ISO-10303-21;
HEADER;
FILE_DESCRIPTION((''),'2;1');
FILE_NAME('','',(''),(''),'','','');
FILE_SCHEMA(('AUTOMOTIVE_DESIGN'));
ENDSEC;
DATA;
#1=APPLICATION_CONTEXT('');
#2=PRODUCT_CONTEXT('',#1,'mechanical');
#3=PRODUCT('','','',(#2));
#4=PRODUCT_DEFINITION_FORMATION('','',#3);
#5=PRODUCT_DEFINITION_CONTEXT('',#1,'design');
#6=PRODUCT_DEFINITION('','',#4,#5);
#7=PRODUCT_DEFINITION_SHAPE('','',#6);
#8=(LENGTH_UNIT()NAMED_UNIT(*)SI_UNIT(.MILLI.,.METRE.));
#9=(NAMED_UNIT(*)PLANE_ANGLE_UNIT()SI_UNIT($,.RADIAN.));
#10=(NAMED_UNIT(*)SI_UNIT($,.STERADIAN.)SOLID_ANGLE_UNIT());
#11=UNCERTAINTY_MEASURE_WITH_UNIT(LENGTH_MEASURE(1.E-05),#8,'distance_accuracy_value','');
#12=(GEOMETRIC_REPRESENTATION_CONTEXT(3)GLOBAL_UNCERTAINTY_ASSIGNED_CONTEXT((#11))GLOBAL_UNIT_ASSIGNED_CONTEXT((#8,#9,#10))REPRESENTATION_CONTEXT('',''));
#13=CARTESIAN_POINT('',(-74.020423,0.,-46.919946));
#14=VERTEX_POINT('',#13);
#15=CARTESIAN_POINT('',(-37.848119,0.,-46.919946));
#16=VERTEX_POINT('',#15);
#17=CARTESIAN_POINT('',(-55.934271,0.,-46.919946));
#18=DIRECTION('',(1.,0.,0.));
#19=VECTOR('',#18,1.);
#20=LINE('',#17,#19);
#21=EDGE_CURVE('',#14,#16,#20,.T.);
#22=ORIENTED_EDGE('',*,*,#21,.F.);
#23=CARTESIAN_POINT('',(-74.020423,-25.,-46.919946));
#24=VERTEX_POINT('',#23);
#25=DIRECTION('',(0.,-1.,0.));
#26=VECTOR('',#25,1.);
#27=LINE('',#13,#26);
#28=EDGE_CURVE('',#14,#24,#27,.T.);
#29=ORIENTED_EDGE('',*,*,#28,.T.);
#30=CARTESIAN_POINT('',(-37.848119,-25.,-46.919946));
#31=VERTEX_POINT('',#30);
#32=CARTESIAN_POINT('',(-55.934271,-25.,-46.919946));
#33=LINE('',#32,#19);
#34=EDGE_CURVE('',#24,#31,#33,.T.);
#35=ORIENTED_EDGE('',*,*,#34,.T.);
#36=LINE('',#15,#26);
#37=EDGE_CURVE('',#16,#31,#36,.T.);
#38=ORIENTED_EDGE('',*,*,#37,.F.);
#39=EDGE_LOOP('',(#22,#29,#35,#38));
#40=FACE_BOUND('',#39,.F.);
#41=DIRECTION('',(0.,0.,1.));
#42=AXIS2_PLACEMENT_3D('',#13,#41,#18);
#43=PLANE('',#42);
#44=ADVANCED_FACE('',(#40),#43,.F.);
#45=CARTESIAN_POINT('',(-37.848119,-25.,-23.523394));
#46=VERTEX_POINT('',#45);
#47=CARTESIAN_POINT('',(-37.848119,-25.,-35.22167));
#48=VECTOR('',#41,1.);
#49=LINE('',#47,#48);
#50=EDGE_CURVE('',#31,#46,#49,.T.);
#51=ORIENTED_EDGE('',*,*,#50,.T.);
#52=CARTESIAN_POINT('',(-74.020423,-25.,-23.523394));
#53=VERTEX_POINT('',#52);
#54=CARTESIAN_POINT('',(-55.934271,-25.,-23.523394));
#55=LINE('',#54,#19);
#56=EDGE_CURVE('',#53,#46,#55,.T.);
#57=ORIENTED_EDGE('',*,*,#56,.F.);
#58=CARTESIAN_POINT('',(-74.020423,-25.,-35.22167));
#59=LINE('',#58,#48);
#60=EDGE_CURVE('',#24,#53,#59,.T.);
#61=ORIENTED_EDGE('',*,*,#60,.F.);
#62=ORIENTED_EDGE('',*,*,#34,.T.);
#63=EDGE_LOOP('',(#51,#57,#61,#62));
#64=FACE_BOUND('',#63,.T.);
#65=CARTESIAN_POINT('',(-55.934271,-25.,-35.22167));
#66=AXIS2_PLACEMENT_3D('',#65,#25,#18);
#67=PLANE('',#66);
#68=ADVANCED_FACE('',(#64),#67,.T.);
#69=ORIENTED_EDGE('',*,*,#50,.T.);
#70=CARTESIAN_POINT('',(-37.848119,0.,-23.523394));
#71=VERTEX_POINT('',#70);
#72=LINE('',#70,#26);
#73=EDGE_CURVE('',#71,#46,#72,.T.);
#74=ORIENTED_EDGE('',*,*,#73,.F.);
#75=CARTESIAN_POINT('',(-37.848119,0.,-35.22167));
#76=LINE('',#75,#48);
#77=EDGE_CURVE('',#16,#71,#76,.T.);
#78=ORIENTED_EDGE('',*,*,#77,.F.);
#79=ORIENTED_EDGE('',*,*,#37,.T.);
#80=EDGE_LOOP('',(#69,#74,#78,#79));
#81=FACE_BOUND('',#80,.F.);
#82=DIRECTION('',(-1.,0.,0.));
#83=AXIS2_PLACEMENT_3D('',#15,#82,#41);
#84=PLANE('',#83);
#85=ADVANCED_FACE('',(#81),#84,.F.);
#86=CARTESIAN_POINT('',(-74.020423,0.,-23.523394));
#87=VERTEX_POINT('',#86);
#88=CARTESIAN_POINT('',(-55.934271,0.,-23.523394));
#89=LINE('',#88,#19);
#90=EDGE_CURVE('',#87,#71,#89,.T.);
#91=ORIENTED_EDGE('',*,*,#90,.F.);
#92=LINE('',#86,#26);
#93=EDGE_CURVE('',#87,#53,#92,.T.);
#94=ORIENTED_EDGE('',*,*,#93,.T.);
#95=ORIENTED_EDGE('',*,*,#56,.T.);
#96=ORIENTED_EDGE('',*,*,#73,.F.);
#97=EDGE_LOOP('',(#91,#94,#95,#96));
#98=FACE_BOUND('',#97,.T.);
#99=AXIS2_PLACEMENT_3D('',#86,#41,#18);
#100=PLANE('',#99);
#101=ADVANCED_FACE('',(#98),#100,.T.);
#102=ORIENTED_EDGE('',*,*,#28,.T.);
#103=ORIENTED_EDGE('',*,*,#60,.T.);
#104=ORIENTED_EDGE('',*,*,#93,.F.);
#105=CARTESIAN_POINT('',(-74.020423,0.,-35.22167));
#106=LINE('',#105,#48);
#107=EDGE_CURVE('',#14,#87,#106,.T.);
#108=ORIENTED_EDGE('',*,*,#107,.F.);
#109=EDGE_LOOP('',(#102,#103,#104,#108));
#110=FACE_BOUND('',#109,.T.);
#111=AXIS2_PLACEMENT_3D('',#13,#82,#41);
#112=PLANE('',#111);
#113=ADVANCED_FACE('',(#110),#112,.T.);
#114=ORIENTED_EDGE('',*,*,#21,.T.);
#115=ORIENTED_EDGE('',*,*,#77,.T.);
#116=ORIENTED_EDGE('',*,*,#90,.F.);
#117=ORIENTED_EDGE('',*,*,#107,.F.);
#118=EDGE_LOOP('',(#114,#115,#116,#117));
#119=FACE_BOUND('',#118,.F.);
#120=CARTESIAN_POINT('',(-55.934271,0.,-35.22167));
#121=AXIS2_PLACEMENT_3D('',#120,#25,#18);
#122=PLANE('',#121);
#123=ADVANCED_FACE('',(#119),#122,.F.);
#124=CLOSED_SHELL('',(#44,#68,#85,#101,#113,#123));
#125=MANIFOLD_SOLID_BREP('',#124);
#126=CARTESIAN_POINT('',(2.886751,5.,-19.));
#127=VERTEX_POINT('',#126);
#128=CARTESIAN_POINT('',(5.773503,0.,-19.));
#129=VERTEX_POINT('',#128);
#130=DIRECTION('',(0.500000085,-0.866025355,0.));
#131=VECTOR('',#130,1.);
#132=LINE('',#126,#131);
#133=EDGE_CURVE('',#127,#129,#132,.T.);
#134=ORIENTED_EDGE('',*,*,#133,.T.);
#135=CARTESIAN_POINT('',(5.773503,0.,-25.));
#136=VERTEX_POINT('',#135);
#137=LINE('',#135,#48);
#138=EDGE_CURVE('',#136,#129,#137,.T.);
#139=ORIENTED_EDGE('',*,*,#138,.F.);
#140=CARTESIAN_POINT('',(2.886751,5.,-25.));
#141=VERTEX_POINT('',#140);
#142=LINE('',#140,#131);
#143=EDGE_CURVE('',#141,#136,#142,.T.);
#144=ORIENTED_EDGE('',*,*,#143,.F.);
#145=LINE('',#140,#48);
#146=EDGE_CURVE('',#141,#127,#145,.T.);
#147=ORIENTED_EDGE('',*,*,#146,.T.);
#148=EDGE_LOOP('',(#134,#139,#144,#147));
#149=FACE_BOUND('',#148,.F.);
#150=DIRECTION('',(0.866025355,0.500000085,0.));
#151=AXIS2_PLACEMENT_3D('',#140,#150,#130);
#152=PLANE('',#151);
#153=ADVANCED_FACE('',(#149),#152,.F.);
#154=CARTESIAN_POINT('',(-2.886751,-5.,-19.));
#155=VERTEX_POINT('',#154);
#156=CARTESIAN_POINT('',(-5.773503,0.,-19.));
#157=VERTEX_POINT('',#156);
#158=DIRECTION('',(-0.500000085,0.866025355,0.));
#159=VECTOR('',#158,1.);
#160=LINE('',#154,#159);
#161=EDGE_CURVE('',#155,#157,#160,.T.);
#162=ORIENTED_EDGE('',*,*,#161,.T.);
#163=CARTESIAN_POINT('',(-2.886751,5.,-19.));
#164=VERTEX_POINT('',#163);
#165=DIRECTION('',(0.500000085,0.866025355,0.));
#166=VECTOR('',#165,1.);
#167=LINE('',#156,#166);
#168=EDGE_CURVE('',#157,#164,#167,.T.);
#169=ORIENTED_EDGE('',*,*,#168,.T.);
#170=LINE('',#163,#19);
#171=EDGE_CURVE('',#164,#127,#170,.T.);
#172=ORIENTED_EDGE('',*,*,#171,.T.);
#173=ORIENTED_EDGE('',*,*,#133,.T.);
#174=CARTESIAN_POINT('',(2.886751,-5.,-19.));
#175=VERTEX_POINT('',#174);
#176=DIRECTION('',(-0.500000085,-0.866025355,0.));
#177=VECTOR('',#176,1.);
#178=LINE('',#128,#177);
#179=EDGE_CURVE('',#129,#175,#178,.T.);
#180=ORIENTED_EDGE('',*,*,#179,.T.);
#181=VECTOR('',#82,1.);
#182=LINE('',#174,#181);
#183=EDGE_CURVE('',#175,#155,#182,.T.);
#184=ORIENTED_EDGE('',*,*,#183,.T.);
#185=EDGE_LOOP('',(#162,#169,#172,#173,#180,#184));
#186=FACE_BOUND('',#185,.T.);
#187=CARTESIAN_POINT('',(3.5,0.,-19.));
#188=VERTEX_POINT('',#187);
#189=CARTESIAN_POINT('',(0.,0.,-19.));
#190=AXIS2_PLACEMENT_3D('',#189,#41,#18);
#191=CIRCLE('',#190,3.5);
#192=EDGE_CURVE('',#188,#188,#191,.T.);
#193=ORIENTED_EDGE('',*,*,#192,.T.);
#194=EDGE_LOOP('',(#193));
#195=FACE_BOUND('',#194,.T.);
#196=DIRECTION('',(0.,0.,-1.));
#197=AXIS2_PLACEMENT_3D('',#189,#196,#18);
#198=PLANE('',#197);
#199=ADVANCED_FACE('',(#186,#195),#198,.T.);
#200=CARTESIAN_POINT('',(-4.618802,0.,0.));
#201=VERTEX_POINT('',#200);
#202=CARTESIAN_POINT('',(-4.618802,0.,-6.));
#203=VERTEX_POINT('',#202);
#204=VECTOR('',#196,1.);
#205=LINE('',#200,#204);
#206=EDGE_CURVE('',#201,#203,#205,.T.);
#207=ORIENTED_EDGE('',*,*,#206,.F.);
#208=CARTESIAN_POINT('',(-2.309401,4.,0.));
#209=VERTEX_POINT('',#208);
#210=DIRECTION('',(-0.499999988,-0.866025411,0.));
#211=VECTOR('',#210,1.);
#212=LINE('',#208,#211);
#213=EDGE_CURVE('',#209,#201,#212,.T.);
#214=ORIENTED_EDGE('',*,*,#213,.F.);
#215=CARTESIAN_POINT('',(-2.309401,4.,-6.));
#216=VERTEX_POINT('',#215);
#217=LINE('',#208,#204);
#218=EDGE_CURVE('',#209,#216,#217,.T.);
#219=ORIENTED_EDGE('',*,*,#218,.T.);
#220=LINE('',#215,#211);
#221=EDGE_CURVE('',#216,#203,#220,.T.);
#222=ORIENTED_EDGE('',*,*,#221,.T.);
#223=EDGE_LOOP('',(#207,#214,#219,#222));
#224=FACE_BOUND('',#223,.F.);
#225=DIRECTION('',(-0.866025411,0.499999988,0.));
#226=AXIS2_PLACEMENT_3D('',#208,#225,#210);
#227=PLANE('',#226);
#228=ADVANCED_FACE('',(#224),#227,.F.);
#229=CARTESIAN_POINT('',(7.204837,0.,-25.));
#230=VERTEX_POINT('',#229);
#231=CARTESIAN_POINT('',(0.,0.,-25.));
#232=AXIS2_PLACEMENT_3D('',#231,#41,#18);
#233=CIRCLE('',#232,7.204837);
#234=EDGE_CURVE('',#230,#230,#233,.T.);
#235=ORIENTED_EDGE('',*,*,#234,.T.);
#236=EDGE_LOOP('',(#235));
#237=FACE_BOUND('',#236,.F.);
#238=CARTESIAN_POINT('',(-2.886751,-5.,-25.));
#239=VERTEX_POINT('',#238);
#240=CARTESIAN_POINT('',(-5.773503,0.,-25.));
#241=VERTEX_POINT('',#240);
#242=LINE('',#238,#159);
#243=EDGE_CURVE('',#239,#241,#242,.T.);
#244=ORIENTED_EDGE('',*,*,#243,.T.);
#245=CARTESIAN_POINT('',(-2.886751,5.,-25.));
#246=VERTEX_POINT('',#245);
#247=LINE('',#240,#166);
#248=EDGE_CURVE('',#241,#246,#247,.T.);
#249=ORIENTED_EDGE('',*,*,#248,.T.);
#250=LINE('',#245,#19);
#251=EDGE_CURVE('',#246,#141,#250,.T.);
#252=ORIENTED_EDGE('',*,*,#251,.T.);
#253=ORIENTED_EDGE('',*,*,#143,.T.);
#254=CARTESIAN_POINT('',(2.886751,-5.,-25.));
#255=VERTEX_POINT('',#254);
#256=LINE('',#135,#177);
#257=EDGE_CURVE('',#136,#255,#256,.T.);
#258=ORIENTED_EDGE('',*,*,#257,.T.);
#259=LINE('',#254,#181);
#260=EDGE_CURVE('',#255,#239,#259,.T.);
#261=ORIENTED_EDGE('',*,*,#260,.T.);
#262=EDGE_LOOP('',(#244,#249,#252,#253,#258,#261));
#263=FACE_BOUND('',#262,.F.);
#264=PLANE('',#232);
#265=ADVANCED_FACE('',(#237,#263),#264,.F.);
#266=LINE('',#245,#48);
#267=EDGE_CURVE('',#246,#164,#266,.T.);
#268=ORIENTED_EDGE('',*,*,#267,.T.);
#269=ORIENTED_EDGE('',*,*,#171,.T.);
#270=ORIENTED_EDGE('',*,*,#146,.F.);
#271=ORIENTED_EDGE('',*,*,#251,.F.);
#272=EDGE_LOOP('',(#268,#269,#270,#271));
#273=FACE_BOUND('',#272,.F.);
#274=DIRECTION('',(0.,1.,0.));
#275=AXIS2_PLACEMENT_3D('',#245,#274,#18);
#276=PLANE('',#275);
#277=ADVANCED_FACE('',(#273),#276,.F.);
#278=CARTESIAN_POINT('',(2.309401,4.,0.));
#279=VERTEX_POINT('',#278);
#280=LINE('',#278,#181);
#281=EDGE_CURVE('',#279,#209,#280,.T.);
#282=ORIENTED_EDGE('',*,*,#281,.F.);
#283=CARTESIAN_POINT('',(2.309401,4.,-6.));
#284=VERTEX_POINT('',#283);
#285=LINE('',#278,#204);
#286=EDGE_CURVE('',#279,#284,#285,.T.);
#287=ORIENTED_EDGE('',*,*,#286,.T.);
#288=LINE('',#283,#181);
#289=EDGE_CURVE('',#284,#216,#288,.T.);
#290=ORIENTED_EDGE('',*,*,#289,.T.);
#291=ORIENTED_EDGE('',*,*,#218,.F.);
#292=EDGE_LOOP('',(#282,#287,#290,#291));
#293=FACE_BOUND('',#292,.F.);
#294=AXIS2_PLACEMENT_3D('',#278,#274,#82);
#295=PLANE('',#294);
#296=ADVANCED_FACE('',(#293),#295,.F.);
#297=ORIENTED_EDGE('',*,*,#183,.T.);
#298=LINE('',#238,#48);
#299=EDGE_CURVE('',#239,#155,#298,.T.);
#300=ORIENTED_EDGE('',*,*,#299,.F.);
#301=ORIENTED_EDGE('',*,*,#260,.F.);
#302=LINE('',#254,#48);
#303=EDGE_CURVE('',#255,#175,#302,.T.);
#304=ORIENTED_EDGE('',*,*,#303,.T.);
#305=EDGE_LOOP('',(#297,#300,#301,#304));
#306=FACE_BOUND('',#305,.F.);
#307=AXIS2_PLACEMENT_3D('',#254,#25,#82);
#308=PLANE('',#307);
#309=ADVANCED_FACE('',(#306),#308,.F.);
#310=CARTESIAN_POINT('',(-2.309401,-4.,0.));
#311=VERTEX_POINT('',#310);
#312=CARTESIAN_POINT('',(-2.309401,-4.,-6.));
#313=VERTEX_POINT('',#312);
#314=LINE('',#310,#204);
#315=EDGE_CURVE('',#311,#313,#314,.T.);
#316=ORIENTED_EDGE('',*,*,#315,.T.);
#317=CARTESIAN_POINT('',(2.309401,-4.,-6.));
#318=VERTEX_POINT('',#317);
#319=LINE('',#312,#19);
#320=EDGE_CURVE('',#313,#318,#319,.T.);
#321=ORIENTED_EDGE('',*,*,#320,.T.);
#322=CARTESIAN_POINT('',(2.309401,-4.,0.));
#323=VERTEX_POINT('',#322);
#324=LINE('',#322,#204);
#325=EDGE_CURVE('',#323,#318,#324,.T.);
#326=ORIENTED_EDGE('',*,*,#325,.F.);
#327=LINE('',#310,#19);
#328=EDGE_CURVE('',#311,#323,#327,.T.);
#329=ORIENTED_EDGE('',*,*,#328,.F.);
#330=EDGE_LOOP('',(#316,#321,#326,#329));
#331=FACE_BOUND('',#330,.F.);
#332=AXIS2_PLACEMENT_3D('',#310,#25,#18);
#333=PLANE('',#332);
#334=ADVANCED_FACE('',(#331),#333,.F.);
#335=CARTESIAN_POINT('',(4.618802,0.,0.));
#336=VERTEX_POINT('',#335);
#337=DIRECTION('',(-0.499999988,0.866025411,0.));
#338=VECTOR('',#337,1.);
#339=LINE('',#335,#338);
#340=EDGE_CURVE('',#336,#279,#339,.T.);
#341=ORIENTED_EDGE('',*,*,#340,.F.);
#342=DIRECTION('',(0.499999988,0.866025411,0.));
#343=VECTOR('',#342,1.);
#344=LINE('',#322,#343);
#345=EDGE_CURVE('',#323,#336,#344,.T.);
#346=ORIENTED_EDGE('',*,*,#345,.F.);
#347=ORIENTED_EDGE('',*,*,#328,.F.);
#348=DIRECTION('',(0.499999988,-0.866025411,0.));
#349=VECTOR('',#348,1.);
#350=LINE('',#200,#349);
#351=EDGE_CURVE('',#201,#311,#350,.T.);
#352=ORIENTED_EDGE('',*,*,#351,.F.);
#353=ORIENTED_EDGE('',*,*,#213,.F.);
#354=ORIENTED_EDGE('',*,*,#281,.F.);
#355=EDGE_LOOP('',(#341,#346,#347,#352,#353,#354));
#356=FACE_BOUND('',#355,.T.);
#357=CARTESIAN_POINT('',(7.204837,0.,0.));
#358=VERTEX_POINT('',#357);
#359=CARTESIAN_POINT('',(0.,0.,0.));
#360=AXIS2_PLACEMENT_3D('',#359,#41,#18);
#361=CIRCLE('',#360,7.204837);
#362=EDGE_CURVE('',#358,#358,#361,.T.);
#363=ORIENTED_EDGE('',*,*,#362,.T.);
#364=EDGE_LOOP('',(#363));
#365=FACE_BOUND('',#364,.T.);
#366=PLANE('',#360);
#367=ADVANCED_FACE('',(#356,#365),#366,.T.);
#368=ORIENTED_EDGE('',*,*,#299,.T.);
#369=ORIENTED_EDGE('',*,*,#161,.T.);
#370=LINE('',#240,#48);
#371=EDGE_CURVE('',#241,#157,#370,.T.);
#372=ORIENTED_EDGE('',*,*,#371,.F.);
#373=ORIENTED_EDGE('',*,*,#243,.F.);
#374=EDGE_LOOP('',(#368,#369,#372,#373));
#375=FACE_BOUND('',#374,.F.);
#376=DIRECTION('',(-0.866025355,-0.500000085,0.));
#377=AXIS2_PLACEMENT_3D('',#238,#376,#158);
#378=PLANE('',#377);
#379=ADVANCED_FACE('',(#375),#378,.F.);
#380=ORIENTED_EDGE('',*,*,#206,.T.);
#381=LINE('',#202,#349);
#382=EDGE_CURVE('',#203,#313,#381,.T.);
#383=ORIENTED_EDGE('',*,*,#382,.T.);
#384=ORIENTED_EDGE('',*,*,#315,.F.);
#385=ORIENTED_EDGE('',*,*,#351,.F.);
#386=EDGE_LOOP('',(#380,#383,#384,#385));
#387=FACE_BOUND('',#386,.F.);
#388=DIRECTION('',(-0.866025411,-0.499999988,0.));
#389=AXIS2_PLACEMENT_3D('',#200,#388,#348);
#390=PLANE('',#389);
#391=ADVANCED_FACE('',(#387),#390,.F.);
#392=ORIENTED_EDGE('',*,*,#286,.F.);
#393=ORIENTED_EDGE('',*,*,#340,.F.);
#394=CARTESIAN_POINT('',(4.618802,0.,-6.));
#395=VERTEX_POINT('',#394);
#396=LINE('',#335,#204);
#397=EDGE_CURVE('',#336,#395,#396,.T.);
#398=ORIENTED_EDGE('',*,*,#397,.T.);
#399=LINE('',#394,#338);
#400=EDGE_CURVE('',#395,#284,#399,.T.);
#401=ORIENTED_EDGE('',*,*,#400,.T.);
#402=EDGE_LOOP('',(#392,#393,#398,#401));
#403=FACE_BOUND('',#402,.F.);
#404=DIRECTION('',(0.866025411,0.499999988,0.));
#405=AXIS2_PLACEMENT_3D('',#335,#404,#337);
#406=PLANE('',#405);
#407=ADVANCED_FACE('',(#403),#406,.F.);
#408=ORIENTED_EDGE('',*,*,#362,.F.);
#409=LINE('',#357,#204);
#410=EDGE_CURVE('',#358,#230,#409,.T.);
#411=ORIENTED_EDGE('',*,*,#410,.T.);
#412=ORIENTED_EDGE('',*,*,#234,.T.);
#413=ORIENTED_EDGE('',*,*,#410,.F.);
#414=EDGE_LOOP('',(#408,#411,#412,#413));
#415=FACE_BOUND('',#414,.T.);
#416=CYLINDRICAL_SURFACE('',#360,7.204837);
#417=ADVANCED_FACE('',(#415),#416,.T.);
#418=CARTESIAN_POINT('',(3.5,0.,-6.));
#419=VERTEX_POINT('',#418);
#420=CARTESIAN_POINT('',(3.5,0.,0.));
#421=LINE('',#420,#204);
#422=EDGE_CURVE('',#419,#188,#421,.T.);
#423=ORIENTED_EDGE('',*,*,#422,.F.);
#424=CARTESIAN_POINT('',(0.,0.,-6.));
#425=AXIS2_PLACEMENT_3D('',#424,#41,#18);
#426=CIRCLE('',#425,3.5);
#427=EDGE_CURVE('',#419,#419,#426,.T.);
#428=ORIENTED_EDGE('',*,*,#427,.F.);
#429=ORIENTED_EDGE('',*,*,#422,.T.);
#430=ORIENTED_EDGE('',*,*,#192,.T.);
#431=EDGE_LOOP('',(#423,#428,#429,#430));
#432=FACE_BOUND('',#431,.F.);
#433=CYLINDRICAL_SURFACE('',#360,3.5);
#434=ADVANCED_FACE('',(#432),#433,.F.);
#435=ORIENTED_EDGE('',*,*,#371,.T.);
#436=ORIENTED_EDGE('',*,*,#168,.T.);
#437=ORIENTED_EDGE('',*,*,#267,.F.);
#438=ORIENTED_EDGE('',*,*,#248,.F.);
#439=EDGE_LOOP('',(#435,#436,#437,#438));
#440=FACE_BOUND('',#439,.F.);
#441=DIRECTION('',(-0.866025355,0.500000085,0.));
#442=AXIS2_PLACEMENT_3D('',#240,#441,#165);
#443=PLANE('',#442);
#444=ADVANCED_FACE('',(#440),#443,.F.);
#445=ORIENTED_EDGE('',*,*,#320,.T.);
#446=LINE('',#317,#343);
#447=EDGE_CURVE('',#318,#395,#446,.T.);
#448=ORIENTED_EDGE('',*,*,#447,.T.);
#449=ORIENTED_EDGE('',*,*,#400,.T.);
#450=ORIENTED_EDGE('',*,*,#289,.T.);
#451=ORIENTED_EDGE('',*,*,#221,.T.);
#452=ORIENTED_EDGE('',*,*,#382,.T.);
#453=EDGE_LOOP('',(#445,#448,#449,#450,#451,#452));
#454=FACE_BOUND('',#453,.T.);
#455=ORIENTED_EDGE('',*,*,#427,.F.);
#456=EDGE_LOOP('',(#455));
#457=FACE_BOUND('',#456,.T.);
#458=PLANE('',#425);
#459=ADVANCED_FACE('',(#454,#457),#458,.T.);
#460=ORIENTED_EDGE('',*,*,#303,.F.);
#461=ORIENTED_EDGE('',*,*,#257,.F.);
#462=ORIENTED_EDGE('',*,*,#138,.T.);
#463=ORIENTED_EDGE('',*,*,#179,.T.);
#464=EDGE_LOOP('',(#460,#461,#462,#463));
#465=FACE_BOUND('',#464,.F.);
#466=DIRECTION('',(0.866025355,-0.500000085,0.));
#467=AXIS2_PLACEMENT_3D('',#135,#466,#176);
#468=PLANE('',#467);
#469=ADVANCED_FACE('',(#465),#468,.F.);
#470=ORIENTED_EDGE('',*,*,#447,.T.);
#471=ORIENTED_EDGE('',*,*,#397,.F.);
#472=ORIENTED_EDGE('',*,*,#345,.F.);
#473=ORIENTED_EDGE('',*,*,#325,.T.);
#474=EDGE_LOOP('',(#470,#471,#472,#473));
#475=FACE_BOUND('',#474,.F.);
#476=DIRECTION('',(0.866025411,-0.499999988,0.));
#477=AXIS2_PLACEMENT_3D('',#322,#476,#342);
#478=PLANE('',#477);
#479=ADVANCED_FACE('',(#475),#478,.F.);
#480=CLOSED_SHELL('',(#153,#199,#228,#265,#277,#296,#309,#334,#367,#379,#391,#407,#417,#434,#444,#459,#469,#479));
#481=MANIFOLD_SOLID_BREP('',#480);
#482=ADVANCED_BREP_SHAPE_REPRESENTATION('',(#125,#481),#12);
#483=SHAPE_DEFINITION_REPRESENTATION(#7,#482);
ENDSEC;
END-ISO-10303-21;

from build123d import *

# Parameters (mm, degrees)
F0_R      = 7.204837
F1_DEPTH  = 25
F3_DEPTH  = 6
F6_DEPTH  = 6
F7_R      = 3.5
F8_DEPTH  = 25
F9_W      = 36.172304
F9_H      = 23.396552
F10_DEPTH = 25


with BuildPart() as f1:
    # F0 (on Top) → F1 (new body)
    with BuildSketch(Plane.XY):
        Circle(F0_R)
    extrude(amount=-F1_DEPTH)

    # F2 (on face) → F3 (cut)
    with BuildSketch(Plane.XY):
        Polygon((-2.309401, -4), (2.309401, -4), (4.618802, 0), (2.309401, 4), (-2.309401, 4), (-4.618802, 0), align=None)
    extrude(amount=-F3_DEPTH, mode=Mode.SUBTRACT)

    # F5 (on face) → F6 (cut)
    with BuildSketch(Plane(origin=(0, 0, -25), x_dir=(1, 0, 0), z_dir=(0, 0, -1))):
        Polygon((2.886751, 5), (-2.886751, 5), (-5.773503, 0), (-2.886751, -5), (2.886751, -5), (5.773503, 0), align=None)
    extrude(amount=-F6_DEPTH, mode=Mode.SUBTRACT)

    # F7 (on Top) → F8 (cut)
    with BuildSketch(Plane.XY):
        Circle(F7_R)
    extrude(amount=-F8_DEPTH, mode=Mode.SUBTRACT)


with BuildPart() as f10:
    # F9 (on Front) → F10 (new body)
    with BuildSketch(Plane.XZ):
        with Locations((-55.934271, -35.22167)):
            Rectangle(F9_W, F9_H)
    extrude(amount=F10_DEPTH)


solid = Compound([f1.part, f10.part])
